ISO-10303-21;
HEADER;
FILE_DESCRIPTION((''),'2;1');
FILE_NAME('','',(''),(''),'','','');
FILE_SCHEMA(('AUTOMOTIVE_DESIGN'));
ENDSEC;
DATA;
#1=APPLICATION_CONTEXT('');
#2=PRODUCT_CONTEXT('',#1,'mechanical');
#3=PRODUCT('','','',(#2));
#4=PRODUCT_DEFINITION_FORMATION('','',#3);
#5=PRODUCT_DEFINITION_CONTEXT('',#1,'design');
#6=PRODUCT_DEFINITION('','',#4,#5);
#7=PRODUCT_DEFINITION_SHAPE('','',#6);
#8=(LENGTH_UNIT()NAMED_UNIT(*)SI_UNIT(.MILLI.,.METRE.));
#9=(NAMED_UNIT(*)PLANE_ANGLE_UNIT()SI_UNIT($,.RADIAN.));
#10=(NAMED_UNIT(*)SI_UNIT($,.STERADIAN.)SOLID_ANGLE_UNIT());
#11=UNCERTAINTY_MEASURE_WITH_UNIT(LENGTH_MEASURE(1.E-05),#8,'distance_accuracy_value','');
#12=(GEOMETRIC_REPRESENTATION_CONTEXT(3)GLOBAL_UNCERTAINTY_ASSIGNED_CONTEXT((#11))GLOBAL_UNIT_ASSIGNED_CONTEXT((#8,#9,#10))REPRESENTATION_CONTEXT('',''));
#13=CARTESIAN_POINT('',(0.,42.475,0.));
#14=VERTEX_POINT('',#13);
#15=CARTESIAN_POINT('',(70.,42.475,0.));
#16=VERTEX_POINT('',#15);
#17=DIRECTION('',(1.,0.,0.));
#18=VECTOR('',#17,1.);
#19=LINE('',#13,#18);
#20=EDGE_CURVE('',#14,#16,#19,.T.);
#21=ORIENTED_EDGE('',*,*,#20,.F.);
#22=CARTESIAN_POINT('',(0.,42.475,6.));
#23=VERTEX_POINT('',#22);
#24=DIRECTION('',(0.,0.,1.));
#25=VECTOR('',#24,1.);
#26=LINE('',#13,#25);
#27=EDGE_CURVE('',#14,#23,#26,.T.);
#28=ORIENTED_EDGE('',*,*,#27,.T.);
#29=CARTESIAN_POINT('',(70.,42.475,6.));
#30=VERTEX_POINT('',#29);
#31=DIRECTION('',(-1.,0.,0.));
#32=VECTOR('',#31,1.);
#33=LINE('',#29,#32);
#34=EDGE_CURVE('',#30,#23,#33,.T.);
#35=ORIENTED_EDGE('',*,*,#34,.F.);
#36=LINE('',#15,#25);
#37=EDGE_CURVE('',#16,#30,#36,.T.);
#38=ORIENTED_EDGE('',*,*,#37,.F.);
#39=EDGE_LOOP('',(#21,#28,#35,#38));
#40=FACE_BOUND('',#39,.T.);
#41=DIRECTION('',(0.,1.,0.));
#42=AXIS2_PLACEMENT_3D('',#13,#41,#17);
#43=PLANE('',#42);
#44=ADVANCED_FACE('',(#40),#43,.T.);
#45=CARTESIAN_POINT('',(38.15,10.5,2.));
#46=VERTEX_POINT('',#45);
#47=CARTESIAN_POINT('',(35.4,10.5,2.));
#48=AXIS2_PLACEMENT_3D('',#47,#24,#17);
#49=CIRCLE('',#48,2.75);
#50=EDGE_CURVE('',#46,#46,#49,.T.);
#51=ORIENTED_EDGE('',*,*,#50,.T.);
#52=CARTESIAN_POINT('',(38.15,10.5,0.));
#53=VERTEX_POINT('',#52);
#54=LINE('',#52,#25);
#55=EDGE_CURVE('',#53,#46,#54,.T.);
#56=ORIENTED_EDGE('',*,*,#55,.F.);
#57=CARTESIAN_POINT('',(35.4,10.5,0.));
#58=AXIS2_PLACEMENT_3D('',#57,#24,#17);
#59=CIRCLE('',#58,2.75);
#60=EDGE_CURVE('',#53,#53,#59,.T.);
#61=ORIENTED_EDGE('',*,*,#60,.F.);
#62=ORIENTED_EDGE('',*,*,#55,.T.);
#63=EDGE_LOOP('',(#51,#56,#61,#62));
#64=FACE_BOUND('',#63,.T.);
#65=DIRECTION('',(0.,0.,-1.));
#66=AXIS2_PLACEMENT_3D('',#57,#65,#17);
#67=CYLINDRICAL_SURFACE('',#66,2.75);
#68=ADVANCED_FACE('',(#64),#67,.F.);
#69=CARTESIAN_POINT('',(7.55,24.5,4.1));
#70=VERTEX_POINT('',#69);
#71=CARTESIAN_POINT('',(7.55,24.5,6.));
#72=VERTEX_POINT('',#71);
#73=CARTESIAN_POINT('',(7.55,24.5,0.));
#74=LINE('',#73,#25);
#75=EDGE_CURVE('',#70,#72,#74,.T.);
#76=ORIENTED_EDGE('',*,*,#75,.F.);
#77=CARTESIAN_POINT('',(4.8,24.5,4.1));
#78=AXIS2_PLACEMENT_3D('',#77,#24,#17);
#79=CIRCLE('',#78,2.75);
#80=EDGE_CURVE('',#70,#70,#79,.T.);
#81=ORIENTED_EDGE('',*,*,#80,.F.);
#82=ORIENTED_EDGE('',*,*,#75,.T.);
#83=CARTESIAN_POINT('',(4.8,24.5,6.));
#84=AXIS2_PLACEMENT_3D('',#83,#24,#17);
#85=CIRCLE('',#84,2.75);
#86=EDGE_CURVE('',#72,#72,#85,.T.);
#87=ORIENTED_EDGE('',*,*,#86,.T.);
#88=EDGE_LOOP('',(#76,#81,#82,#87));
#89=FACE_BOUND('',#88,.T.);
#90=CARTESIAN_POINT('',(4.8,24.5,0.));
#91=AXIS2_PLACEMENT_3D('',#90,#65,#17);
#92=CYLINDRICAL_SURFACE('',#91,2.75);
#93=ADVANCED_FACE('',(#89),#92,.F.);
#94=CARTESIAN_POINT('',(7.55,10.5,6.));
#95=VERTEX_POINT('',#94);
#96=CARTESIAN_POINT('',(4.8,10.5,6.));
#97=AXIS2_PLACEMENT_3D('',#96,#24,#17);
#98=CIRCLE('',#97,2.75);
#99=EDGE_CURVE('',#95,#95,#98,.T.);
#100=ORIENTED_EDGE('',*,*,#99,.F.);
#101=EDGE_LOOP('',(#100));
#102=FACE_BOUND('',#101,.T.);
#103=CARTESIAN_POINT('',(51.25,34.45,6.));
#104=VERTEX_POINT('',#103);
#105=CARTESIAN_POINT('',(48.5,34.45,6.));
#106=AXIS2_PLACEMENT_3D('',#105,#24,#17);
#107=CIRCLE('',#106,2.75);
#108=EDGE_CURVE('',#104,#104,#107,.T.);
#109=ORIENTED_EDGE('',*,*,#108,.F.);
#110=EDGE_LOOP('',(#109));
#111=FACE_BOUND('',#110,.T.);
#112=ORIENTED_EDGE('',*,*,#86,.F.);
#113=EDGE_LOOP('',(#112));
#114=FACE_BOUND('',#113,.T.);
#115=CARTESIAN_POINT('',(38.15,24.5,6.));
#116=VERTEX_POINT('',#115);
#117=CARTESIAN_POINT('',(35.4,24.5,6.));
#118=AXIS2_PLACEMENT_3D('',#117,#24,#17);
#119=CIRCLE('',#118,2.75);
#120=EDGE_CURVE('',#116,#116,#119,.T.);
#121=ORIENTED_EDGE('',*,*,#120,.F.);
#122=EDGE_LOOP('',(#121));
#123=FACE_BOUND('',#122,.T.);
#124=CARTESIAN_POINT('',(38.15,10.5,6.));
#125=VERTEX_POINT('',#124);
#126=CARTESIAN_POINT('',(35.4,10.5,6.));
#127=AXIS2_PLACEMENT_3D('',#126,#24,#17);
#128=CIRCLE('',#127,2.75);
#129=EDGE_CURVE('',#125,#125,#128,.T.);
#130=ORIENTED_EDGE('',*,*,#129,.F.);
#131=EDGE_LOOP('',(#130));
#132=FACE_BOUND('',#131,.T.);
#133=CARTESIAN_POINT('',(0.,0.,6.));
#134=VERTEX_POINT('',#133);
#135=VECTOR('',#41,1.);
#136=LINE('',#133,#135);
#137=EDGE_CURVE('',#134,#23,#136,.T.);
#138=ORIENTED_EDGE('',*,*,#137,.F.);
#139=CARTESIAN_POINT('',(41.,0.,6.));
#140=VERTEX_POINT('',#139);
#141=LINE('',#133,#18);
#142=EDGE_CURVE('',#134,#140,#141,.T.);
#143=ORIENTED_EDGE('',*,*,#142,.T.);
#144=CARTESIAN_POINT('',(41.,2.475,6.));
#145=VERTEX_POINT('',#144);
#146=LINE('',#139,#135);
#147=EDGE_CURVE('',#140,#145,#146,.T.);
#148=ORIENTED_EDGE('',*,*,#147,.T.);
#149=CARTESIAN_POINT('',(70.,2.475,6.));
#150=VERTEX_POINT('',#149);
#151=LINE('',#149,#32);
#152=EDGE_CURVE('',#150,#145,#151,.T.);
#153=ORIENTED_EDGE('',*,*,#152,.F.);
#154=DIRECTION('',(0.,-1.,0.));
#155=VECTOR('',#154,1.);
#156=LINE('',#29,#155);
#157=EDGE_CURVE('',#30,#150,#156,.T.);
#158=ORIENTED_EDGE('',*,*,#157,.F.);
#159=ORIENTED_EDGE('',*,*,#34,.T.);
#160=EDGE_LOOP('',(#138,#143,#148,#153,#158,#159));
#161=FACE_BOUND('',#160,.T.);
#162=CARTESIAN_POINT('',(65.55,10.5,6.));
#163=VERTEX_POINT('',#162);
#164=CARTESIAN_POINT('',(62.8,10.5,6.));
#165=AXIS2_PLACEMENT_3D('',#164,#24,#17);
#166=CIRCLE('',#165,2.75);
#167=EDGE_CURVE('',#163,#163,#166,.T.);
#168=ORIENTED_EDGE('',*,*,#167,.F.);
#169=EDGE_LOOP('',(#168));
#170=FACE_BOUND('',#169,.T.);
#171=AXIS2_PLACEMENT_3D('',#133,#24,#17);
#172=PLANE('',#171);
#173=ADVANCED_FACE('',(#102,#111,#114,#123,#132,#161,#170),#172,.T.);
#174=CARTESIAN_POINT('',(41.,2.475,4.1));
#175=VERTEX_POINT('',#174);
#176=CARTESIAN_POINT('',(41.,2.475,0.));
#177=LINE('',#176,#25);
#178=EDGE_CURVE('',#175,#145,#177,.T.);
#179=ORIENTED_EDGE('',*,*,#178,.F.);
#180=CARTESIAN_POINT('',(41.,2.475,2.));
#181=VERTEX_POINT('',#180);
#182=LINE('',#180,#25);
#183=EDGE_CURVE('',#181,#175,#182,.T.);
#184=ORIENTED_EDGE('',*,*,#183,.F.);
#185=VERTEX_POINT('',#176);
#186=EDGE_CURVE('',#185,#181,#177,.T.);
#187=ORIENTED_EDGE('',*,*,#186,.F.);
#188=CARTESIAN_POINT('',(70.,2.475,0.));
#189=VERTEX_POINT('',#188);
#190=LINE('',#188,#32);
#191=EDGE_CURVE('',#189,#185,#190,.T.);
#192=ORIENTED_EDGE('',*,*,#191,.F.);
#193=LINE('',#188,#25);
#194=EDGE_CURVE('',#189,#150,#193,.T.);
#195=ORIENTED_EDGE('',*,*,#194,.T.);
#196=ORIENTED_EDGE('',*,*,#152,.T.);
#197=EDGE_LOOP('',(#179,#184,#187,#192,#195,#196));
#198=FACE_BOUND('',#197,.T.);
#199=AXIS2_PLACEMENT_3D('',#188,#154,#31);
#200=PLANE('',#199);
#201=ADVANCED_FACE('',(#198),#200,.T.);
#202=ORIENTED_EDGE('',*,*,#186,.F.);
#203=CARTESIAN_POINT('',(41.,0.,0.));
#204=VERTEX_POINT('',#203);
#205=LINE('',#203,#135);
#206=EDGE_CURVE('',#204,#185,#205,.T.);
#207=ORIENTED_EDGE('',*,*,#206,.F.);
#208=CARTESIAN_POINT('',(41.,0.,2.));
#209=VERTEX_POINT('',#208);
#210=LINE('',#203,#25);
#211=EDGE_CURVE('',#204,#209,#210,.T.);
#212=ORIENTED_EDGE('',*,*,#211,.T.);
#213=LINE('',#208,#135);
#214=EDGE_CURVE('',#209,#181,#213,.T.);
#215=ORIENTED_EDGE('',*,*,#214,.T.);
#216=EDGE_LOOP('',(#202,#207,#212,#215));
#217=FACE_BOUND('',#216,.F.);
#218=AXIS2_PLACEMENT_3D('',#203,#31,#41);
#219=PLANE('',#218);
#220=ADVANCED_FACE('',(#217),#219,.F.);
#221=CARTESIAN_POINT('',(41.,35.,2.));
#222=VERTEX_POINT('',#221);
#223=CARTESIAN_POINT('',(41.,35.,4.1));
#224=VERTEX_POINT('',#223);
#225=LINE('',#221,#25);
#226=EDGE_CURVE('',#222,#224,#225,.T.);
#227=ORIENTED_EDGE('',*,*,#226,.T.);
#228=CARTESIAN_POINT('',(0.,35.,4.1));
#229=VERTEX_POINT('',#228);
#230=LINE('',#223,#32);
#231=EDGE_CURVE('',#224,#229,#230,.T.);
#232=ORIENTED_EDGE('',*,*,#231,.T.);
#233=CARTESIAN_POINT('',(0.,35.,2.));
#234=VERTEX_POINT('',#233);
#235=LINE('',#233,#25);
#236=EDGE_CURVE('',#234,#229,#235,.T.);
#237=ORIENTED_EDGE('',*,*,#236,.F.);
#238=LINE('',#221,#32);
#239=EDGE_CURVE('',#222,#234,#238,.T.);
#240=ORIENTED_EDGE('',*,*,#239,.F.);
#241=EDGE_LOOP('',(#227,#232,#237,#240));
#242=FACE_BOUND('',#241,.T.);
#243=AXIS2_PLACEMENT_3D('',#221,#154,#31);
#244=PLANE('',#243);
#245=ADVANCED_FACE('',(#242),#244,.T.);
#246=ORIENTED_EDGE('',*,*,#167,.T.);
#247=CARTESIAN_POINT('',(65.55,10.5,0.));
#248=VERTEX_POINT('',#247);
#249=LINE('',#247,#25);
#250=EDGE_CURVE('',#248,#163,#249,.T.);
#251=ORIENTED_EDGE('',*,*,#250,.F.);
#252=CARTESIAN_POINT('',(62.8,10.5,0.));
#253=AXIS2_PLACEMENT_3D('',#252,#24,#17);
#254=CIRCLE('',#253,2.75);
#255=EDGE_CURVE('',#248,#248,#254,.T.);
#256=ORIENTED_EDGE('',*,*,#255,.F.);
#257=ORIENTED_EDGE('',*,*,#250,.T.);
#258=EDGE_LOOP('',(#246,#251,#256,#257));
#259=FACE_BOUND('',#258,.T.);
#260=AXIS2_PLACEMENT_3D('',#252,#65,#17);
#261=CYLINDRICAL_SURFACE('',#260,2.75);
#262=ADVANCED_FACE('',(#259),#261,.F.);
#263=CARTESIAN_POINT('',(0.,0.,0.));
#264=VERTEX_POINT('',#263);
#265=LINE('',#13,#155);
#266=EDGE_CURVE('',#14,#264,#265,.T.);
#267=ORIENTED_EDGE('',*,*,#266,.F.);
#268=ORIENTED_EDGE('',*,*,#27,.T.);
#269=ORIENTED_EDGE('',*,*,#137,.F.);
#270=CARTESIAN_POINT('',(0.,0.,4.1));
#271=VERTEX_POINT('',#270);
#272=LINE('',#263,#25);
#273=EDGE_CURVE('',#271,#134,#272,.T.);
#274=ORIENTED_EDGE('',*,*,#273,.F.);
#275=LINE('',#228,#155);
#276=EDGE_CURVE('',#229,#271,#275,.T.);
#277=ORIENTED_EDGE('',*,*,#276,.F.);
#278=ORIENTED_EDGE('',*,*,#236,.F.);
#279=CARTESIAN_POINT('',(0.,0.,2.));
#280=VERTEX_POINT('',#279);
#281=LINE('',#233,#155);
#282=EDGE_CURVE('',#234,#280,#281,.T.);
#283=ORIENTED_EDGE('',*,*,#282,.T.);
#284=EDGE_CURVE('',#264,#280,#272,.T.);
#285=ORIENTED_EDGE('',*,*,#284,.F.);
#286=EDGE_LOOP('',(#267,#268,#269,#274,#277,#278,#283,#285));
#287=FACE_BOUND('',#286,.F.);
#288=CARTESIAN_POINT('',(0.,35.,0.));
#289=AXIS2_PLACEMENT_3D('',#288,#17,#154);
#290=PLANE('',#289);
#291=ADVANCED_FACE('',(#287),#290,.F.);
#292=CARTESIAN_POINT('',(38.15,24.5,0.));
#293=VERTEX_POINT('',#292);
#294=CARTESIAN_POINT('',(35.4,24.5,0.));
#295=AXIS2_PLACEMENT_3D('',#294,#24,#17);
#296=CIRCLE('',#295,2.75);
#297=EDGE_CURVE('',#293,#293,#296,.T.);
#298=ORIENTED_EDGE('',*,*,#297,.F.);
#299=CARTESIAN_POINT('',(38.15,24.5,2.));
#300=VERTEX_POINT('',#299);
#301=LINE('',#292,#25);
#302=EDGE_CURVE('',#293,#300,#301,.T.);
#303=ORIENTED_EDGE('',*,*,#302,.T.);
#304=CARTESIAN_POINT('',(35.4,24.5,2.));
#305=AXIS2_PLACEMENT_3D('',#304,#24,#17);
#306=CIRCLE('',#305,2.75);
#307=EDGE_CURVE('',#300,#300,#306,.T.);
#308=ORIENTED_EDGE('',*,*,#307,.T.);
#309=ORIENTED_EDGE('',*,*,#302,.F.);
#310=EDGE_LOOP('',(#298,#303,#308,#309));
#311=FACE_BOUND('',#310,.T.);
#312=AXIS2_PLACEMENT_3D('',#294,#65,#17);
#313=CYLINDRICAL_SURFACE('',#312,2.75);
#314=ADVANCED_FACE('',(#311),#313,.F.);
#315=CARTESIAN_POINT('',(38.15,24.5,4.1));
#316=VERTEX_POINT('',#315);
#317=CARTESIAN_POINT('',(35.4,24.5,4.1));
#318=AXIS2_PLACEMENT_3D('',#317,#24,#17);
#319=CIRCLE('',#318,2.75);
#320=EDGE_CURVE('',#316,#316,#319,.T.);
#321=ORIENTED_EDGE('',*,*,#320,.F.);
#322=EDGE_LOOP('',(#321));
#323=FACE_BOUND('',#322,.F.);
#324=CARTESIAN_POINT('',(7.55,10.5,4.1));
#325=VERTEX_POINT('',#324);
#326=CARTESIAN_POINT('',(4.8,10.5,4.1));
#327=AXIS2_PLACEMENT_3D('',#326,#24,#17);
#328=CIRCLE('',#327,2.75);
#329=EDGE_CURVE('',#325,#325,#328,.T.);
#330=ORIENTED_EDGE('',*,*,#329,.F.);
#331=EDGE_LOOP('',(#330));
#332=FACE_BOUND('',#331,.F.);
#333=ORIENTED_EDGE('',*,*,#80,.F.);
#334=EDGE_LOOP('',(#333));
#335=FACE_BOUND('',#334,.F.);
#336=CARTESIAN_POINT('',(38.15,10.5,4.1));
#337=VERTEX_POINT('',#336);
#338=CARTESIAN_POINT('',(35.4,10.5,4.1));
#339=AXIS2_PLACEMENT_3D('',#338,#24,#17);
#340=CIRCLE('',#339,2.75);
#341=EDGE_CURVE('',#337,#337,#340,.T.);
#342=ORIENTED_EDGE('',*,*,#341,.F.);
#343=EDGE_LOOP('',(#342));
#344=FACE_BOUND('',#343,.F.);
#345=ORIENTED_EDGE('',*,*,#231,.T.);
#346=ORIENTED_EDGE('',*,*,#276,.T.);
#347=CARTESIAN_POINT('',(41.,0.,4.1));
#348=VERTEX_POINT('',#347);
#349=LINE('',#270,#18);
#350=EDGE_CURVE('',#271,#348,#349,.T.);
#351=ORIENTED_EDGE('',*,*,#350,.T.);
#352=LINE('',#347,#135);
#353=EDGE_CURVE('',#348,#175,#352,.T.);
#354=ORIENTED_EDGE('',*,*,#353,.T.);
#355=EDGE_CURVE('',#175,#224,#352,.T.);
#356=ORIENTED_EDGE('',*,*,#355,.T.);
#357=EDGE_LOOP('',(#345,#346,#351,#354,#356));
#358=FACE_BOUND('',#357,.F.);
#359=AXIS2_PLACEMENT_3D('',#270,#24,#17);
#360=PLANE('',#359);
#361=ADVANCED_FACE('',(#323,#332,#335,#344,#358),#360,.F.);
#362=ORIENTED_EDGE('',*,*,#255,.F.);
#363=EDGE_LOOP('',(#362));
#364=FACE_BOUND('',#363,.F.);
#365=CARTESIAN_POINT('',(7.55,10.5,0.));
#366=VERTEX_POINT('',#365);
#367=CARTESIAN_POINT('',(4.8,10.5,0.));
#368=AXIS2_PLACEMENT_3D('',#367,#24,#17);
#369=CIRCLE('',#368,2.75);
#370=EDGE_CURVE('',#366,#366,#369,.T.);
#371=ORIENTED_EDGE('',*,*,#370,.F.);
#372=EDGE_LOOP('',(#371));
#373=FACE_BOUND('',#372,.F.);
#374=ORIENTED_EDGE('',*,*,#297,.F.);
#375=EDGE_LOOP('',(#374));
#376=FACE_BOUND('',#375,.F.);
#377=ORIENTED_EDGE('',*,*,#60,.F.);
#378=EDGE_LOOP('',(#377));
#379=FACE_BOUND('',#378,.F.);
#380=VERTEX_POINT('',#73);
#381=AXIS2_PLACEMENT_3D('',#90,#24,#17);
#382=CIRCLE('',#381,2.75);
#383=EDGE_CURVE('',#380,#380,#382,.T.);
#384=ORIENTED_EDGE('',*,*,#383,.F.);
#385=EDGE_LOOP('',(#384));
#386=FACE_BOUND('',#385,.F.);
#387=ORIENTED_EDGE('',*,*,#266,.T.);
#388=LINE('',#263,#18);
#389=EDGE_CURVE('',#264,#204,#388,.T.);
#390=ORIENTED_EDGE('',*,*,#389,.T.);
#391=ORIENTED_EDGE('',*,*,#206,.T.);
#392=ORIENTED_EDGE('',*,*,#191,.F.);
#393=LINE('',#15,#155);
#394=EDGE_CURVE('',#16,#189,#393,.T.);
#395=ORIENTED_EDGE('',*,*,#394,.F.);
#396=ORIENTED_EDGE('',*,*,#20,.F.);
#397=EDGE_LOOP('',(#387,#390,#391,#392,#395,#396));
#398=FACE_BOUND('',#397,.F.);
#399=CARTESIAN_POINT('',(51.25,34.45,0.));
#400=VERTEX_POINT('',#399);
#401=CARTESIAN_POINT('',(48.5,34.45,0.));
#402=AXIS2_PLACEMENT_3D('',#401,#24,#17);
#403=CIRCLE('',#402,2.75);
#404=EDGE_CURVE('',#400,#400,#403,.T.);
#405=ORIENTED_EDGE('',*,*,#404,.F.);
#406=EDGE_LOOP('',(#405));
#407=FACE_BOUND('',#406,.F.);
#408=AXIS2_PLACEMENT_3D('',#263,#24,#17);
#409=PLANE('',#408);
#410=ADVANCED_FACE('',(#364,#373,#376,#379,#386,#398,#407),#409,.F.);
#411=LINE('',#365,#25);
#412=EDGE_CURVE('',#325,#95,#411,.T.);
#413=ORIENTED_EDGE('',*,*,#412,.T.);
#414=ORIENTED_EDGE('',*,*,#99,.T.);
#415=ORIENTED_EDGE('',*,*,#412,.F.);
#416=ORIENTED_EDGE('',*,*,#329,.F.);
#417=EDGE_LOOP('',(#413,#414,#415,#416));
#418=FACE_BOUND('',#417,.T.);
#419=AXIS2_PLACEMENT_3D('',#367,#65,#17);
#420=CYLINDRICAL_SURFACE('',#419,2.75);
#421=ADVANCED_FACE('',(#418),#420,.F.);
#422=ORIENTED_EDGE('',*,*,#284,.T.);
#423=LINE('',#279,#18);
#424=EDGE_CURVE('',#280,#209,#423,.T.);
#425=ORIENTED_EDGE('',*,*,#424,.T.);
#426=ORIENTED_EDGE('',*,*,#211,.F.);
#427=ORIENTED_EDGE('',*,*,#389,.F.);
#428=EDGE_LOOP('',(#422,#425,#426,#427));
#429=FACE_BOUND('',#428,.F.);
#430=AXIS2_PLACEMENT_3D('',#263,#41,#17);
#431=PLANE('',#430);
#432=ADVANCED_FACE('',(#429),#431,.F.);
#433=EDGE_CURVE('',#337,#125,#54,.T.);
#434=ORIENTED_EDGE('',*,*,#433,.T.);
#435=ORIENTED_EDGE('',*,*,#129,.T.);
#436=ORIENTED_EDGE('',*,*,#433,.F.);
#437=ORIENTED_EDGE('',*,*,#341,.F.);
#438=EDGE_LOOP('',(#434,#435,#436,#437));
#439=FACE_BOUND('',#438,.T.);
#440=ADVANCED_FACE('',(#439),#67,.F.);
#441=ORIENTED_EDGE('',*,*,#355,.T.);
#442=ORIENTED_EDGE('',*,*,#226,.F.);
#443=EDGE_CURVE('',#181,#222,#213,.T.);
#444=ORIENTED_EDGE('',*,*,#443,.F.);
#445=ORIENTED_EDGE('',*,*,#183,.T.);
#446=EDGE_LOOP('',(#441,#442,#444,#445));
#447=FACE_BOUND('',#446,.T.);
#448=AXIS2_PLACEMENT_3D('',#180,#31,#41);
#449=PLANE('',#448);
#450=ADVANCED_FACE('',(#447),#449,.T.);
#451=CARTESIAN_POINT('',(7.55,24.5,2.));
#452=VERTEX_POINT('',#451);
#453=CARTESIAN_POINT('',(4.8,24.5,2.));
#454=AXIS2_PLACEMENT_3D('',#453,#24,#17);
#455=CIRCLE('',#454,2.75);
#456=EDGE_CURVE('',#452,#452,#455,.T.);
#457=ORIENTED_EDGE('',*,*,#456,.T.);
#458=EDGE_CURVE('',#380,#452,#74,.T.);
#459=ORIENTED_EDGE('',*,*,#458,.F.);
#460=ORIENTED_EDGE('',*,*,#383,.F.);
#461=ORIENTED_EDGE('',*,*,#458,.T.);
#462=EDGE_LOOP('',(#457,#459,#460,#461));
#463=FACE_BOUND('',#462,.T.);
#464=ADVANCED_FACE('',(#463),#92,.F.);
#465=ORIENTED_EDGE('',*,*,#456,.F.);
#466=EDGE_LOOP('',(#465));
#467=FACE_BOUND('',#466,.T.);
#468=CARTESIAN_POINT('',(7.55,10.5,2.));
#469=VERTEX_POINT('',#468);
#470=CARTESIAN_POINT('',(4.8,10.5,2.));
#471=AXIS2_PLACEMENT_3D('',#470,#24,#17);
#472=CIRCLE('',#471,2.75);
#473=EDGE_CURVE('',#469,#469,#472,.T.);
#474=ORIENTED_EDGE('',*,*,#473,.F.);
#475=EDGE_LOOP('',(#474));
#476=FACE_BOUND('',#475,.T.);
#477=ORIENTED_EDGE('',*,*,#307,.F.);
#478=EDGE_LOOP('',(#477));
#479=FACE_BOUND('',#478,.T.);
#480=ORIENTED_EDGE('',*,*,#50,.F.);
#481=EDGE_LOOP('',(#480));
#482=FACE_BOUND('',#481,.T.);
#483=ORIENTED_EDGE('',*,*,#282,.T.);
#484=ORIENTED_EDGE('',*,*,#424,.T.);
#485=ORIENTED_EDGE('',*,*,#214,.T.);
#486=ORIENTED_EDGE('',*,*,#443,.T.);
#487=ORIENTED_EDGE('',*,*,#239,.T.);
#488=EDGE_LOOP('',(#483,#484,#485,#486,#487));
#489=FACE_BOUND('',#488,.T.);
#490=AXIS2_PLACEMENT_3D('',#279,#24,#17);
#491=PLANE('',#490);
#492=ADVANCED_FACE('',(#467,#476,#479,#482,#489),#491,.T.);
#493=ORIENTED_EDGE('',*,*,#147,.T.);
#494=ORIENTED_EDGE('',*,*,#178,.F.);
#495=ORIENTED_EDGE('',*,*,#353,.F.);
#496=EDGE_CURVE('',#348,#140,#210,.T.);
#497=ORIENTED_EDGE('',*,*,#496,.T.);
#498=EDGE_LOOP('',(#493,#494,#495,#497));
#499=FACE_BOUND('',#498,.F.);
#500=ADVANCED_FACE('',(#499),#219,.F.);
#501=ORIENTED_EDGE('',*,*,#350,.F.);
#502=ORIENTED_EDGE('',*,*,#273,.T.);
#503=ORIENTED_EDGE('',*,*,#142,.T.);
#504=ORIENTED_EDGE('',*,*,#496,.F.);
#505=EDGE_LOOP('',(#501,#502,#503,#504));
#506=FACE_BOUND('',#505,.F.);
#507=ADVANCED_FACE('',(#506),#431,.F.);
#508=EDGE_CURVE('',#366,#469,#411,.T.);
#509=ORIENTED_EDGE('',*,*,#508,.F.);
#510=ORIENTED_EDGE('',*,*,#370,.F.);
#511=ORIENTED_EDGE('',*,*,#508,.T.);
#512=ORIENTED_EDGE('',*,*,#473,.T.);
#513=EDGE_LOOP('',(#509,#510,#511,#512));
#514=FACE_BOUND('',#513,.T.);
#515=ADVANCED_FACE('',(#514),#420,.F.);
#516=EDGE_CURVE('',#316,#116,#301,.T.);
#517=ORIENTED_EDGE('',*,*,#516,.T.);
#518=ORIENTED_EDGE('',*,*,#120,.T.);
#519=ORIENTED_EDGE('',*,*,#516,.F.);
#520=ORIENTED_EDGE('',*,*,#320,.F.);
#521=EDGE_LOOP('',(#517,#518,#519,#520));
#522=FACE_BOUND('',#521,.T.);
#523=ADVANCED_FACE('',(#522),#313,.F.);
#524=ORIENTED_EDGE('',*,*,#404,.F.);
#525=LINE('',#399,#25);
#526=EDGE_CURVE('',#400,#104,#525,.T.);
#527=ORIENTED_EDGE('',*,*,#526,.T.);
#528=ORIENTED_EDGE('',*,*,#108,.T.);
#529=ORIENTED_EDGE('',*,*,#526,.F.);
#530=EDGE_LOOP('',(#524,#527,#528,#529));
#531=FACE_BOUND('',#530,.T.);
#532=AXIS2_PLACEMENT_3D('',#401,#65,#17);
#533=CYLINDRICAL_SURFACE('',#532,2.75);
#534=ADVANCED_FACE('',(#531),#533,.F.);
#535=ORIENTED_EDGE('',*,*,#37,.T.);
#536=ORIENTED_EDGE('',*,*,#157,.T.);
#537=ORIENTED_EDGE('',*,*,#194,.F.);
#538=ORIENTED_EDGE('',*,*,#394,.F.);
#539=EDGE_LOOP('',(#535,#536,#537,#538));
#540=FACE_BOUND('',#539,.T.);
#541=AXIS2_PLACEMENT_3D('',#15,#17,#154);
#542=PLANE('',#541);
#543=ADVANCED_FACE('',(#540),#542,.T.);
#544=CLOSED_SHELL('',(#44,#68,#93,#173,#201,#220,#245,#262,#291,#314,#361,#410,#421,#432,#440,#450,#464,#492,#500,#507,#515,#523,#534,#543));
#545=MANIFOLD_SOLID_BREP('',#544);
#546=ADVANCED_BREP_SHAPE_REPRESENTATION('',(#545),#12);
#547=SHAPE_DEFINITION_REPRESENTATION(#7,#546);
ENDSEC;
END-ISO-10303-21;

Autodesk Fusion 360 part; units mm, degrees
sketch "Sketch1" plane through (0, 0, 0) normal (0, 0, 1) x (1, 0, 0)
  line L0 (0, 0) -> (41, 0)
  line L1 (41, 0) -> (41, 35)
  line L2 (41, 35) -> (0, 35)
  line L3 (0, 35) -> (0, 0)
  line L4 (0, 17.5) -> (41, 17.5) construction
  circle A0 centre (4.8, 24.5) radius 2.75
  circle A1 centre (4.8, 10.5) radius 2.75
  line L5 (4.8, 24.5) -> (4.8, 10.5) construction
  line L6 (2.05, 10.5) -> (4.8, 10.5) construction
  line L7 (41, 42.475) -> (70, 42.475)
  line L8 (70, 42.475) -> (70, 2.475)
  line L9 (70, 2.475) -> (41, 2.475)
  line L10 (41, 2.475) -> (41, 0)
  line L11 (48.5, 34.45) -> (48.5, 10.5) construction
  circle A2 centre (48.5, 34.45) radius 2.75
  circle A3 centre (48.5, 10.5) radius 2.75 construction
  line L12 (70, 22.475) -> (48.5, 22.475) construction
  line L13 (41, 42.475) -> (41, 35)
  line L14 (0, 35) -> (0, 42.475)
  line L15 (0, 42.475) -> (41, 42.475)
  line L16 (62.8, 34.45) -> (62.8, 10.5) construction
  circle A4 centre (62.8, 34.45) radius 2.75 construction
  circle A5 centre (62.8, 10.5) radius 2.75
  line L17 (48.5, 34.45) -> (62.8, 34.45) construction
  line L18 (48.5, 10.5) -> (62.8, 10.5) construction
  line L19 (35.4, 24.5) -> (35.4, 10.5) construction
  circle A6 centre (35.4, 24.5) radius 2.75
  circle A7 centre (35.4, 10.5) radius 2.75
  point P0 (2.05, 10.5)
  dimension "d1" = 41
  dimension "d2" = 35
  dimension "d3" = 14
  dimension "d7" = 40
  dimension "d8" = 7.5
  dimension "d9" = 5.5
  dimension "d12" = 23.95
  dimension "d13" = 4.8
  dimension "d14" = 5.5
  dimension "d20" = 14.3
  dimension "d21" = 30.6
  dimension "d22" = 29
extrude "Extrude1" add sketch "Sketch1" along normal blind 6
extrude "Extrude2" cut sketch "Sketch1" along normal blind 2.1 from surface at 2 contours L0 L1 L2 L3 L10
equation "d3 = ( ( 9 + 19 ) / 2 ) * 1 mm"
equation "d8 = ( ( 4 + 11 ) / 2 ) * 1 mm"
equation "d12 = ( ( 17.5 + 30.4 ) / 2 ) * 1 mm"
equation "d15 = 2 mm + 2 mm + 2 mm"
equation "d20 = ( 18.3 mm - 4 mm )"
equation "d21 = ( ( 25.6 + 35.6 ) / 2 ) * 1 mm"
